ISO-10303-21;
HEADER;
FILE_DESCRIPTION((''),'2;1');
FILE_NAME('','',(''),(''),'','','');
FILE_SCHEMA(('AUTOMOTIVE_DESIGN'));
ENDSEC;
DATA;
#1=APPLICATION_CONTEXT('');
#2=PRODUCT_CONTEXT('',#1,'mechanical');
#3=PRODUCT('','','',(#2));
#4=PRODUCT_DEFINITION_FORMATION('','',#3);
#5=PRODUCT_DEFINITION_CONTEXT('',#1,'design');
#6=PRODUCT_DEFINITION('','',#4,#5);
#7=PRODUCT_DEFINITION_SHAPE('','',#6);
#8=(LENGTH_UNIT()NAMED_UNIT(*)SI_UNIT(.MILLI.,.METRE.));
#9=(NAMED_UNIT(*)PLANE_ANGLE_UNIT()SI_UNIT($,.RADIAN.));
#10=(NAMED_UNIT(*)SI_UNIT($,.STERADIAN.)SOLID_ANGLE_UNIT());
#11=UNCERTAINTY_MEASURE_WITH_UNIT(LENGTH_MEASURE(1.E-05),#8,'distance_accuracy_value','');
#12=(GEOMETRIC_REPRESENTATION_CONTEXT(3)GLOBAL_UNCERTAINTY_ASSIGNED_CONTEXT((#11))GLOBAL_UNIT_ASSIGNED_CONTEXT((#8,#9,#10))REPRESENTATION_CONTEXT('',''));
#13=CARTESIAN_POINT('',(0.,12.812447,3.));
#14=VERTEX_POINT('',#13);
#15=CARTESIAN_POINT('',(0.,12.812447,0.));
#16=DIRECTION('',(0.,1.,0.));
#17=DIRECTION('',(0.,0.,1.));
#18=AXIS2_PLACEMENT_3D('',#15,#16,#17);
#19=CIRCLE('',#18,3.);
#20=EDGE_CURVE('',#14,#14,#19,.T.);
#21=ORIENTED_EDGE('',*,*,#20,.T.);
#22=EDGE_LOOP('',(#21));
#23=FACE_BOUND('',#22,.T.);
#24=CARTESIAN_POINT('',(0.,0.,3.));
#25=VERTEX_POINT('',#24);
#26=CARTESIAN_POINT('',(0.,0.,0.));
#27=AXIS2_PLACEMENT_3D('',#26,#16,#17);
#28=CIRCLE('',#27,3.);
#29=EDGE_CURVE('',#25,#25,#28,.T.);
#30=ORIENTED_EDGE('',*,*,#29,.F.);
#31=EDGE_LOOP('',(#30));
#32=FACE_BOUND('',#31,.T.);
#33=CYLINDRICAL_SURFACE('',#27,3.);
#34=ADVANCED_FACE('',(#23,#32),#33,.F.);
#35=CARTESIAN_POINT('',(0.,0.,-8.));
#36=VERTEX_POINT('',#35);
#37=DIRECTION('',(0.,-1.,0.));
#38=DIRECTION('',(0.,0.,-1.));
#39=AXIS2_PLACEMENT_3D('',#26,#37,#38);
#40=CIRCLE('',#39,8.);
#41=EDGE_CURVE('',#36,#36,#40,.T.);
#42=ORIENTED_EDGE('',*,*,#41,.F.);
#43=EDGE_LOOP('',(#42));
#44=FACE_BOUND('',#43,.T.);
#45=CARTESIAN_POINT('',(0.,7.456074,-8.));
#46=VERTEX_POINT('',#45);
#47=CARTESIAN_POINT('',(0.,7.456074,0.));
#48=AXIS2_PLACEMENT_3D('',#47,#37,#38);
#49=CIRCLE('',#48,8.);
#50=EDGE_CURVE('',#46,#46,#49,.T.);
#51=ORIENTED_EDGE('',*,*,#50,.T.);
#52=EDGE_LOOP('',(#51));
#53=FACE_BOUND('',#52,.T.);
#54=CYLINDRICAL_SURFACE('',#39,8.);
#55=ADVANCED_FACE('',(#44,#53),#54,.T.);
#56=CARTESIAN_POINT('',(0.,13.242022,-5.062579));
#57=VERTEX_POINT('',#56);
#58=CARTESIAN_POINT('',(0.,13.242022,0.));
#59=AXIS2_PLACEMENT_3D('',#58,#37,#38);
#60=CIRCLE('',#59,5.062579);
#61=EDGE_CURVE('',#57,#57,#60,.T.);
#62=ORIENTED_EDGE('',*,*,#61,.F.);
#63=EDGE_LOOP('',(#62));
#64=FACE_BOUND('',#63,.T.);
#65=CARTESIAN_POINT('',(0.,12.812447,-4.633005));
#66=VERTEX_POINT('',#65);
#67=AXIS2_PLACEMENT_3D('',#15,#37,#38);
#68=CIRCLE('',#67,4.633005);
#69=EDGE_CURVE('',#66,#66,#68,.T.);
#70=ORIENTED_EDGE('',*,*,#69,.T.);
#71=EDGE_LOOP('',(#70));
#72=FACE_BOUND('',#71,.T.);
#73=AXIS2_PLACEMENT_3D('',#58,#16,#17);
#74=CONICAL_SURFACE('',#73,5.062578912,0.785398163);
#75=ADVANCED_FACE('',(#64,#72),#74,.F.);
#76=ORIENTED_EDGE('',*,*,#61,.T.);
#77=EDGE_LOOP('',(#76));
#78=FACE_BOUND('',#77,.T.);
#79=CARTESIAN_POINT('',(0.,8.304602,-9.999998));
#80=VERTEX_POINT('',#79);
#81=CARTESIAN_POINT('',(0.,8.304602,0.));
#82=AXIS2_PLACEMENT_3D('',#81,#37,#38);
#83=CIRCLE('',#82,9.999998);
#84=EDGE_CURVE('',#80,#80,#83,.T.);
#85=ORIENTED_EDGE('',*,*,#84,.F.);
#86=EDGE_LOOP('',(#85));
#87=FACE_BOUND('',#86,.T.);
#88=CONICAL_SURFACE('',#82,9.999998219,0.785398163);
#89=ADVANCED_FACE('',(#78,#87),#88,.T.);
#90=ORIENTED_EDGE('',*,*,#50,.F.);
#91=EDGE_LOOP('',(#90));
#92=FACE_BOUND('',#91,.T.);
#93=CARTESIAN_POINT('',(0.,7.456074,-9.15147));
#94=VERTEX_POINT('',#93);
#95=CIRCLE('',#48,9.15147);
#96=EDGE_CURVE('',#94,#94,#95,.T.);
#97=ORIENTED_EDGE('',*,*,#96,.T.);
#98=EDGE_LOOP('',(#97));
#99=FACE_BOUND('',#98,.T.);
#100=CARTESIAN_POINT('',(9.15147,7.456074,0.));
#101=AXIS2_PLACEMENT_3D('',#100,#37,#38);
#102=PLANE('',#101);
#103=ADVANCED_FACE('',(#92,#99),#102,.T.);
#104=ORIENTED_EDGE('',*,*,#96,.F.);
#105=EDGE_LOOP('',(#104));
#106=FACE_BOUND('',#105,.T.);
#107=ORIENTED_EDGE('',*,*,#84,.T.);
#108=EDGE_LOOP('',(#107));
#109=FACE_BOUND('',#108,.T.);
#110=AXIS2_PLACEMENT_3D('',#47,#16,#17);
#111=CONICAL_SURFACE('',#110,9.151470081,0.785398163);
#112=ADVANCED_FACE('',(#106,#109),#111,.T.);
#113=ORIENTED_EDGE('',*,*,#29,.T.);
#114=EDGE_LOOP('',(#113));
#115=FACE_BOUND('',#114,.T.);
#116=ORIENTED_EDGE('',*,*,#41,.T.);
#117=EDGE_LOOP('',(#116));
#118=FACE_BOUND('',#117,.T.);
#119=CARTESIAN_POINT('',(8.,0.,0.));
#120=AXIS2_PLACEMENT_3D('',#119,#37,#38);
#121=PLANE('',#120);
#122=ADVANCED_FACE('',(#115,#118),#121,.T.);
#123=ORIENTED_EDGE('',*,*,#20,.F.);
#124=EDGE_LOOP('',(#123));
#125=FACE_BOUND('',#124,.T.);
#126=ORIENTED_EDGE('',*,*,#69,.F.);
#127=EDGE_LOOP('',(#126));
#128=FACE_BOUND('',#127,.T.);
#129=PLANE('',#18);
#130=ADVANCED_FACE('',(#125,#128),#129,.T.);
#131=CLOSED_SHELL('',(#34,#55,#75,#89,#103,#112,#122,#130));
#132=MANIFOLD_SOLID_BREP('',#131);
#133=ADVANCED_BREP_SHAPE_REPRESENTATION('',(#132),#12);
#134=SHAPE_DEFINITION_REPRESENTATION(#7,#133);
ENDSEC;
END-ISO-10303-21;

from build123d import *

# Parameters (mm, degrees)
SKETCH_3_R          = 3
CUT_EXTRUDE_1_DEPTH = 20.082943622


with BuildPart() as part:
    # 草图1 → 旋转1 (revolve)
    with BuildSketch(Plane.XY, mode=Mode.PRIVATE) as revolve_1_sk:
        Polygon((9.151470081, 7.456074104), (8, 7.456074104), (8, 0), (0, 0), (0, 12.812447406), (4.63300477, 12.812447406), (5.062578912, 13.242021548), (9.999998219, 8.304602242), align=None)
    revolve(revolve_1_sk.sketch.rotate(Axis((0, 0, 0), (0, 1, 0)), 90), axis=Axis((0, 0, 0), (0, 1, 0)))

    # 草图3 → 切除-拉伸1 (cut, through all)
    with BuildSketch(Plane(origin=(0, 12.812447406, 0), x_dir=(1, 0, 0), z_dir=(0, 1, 0))):
        with Locations(Location((0, 0, 0), (0, 0, 270))):
            Circle(SKETCH_3_R)
    extrude(amount=-CUT_EXTRUDE_1_DEPTH, mode=Mode.SUBTRACT)


solid = part.part
